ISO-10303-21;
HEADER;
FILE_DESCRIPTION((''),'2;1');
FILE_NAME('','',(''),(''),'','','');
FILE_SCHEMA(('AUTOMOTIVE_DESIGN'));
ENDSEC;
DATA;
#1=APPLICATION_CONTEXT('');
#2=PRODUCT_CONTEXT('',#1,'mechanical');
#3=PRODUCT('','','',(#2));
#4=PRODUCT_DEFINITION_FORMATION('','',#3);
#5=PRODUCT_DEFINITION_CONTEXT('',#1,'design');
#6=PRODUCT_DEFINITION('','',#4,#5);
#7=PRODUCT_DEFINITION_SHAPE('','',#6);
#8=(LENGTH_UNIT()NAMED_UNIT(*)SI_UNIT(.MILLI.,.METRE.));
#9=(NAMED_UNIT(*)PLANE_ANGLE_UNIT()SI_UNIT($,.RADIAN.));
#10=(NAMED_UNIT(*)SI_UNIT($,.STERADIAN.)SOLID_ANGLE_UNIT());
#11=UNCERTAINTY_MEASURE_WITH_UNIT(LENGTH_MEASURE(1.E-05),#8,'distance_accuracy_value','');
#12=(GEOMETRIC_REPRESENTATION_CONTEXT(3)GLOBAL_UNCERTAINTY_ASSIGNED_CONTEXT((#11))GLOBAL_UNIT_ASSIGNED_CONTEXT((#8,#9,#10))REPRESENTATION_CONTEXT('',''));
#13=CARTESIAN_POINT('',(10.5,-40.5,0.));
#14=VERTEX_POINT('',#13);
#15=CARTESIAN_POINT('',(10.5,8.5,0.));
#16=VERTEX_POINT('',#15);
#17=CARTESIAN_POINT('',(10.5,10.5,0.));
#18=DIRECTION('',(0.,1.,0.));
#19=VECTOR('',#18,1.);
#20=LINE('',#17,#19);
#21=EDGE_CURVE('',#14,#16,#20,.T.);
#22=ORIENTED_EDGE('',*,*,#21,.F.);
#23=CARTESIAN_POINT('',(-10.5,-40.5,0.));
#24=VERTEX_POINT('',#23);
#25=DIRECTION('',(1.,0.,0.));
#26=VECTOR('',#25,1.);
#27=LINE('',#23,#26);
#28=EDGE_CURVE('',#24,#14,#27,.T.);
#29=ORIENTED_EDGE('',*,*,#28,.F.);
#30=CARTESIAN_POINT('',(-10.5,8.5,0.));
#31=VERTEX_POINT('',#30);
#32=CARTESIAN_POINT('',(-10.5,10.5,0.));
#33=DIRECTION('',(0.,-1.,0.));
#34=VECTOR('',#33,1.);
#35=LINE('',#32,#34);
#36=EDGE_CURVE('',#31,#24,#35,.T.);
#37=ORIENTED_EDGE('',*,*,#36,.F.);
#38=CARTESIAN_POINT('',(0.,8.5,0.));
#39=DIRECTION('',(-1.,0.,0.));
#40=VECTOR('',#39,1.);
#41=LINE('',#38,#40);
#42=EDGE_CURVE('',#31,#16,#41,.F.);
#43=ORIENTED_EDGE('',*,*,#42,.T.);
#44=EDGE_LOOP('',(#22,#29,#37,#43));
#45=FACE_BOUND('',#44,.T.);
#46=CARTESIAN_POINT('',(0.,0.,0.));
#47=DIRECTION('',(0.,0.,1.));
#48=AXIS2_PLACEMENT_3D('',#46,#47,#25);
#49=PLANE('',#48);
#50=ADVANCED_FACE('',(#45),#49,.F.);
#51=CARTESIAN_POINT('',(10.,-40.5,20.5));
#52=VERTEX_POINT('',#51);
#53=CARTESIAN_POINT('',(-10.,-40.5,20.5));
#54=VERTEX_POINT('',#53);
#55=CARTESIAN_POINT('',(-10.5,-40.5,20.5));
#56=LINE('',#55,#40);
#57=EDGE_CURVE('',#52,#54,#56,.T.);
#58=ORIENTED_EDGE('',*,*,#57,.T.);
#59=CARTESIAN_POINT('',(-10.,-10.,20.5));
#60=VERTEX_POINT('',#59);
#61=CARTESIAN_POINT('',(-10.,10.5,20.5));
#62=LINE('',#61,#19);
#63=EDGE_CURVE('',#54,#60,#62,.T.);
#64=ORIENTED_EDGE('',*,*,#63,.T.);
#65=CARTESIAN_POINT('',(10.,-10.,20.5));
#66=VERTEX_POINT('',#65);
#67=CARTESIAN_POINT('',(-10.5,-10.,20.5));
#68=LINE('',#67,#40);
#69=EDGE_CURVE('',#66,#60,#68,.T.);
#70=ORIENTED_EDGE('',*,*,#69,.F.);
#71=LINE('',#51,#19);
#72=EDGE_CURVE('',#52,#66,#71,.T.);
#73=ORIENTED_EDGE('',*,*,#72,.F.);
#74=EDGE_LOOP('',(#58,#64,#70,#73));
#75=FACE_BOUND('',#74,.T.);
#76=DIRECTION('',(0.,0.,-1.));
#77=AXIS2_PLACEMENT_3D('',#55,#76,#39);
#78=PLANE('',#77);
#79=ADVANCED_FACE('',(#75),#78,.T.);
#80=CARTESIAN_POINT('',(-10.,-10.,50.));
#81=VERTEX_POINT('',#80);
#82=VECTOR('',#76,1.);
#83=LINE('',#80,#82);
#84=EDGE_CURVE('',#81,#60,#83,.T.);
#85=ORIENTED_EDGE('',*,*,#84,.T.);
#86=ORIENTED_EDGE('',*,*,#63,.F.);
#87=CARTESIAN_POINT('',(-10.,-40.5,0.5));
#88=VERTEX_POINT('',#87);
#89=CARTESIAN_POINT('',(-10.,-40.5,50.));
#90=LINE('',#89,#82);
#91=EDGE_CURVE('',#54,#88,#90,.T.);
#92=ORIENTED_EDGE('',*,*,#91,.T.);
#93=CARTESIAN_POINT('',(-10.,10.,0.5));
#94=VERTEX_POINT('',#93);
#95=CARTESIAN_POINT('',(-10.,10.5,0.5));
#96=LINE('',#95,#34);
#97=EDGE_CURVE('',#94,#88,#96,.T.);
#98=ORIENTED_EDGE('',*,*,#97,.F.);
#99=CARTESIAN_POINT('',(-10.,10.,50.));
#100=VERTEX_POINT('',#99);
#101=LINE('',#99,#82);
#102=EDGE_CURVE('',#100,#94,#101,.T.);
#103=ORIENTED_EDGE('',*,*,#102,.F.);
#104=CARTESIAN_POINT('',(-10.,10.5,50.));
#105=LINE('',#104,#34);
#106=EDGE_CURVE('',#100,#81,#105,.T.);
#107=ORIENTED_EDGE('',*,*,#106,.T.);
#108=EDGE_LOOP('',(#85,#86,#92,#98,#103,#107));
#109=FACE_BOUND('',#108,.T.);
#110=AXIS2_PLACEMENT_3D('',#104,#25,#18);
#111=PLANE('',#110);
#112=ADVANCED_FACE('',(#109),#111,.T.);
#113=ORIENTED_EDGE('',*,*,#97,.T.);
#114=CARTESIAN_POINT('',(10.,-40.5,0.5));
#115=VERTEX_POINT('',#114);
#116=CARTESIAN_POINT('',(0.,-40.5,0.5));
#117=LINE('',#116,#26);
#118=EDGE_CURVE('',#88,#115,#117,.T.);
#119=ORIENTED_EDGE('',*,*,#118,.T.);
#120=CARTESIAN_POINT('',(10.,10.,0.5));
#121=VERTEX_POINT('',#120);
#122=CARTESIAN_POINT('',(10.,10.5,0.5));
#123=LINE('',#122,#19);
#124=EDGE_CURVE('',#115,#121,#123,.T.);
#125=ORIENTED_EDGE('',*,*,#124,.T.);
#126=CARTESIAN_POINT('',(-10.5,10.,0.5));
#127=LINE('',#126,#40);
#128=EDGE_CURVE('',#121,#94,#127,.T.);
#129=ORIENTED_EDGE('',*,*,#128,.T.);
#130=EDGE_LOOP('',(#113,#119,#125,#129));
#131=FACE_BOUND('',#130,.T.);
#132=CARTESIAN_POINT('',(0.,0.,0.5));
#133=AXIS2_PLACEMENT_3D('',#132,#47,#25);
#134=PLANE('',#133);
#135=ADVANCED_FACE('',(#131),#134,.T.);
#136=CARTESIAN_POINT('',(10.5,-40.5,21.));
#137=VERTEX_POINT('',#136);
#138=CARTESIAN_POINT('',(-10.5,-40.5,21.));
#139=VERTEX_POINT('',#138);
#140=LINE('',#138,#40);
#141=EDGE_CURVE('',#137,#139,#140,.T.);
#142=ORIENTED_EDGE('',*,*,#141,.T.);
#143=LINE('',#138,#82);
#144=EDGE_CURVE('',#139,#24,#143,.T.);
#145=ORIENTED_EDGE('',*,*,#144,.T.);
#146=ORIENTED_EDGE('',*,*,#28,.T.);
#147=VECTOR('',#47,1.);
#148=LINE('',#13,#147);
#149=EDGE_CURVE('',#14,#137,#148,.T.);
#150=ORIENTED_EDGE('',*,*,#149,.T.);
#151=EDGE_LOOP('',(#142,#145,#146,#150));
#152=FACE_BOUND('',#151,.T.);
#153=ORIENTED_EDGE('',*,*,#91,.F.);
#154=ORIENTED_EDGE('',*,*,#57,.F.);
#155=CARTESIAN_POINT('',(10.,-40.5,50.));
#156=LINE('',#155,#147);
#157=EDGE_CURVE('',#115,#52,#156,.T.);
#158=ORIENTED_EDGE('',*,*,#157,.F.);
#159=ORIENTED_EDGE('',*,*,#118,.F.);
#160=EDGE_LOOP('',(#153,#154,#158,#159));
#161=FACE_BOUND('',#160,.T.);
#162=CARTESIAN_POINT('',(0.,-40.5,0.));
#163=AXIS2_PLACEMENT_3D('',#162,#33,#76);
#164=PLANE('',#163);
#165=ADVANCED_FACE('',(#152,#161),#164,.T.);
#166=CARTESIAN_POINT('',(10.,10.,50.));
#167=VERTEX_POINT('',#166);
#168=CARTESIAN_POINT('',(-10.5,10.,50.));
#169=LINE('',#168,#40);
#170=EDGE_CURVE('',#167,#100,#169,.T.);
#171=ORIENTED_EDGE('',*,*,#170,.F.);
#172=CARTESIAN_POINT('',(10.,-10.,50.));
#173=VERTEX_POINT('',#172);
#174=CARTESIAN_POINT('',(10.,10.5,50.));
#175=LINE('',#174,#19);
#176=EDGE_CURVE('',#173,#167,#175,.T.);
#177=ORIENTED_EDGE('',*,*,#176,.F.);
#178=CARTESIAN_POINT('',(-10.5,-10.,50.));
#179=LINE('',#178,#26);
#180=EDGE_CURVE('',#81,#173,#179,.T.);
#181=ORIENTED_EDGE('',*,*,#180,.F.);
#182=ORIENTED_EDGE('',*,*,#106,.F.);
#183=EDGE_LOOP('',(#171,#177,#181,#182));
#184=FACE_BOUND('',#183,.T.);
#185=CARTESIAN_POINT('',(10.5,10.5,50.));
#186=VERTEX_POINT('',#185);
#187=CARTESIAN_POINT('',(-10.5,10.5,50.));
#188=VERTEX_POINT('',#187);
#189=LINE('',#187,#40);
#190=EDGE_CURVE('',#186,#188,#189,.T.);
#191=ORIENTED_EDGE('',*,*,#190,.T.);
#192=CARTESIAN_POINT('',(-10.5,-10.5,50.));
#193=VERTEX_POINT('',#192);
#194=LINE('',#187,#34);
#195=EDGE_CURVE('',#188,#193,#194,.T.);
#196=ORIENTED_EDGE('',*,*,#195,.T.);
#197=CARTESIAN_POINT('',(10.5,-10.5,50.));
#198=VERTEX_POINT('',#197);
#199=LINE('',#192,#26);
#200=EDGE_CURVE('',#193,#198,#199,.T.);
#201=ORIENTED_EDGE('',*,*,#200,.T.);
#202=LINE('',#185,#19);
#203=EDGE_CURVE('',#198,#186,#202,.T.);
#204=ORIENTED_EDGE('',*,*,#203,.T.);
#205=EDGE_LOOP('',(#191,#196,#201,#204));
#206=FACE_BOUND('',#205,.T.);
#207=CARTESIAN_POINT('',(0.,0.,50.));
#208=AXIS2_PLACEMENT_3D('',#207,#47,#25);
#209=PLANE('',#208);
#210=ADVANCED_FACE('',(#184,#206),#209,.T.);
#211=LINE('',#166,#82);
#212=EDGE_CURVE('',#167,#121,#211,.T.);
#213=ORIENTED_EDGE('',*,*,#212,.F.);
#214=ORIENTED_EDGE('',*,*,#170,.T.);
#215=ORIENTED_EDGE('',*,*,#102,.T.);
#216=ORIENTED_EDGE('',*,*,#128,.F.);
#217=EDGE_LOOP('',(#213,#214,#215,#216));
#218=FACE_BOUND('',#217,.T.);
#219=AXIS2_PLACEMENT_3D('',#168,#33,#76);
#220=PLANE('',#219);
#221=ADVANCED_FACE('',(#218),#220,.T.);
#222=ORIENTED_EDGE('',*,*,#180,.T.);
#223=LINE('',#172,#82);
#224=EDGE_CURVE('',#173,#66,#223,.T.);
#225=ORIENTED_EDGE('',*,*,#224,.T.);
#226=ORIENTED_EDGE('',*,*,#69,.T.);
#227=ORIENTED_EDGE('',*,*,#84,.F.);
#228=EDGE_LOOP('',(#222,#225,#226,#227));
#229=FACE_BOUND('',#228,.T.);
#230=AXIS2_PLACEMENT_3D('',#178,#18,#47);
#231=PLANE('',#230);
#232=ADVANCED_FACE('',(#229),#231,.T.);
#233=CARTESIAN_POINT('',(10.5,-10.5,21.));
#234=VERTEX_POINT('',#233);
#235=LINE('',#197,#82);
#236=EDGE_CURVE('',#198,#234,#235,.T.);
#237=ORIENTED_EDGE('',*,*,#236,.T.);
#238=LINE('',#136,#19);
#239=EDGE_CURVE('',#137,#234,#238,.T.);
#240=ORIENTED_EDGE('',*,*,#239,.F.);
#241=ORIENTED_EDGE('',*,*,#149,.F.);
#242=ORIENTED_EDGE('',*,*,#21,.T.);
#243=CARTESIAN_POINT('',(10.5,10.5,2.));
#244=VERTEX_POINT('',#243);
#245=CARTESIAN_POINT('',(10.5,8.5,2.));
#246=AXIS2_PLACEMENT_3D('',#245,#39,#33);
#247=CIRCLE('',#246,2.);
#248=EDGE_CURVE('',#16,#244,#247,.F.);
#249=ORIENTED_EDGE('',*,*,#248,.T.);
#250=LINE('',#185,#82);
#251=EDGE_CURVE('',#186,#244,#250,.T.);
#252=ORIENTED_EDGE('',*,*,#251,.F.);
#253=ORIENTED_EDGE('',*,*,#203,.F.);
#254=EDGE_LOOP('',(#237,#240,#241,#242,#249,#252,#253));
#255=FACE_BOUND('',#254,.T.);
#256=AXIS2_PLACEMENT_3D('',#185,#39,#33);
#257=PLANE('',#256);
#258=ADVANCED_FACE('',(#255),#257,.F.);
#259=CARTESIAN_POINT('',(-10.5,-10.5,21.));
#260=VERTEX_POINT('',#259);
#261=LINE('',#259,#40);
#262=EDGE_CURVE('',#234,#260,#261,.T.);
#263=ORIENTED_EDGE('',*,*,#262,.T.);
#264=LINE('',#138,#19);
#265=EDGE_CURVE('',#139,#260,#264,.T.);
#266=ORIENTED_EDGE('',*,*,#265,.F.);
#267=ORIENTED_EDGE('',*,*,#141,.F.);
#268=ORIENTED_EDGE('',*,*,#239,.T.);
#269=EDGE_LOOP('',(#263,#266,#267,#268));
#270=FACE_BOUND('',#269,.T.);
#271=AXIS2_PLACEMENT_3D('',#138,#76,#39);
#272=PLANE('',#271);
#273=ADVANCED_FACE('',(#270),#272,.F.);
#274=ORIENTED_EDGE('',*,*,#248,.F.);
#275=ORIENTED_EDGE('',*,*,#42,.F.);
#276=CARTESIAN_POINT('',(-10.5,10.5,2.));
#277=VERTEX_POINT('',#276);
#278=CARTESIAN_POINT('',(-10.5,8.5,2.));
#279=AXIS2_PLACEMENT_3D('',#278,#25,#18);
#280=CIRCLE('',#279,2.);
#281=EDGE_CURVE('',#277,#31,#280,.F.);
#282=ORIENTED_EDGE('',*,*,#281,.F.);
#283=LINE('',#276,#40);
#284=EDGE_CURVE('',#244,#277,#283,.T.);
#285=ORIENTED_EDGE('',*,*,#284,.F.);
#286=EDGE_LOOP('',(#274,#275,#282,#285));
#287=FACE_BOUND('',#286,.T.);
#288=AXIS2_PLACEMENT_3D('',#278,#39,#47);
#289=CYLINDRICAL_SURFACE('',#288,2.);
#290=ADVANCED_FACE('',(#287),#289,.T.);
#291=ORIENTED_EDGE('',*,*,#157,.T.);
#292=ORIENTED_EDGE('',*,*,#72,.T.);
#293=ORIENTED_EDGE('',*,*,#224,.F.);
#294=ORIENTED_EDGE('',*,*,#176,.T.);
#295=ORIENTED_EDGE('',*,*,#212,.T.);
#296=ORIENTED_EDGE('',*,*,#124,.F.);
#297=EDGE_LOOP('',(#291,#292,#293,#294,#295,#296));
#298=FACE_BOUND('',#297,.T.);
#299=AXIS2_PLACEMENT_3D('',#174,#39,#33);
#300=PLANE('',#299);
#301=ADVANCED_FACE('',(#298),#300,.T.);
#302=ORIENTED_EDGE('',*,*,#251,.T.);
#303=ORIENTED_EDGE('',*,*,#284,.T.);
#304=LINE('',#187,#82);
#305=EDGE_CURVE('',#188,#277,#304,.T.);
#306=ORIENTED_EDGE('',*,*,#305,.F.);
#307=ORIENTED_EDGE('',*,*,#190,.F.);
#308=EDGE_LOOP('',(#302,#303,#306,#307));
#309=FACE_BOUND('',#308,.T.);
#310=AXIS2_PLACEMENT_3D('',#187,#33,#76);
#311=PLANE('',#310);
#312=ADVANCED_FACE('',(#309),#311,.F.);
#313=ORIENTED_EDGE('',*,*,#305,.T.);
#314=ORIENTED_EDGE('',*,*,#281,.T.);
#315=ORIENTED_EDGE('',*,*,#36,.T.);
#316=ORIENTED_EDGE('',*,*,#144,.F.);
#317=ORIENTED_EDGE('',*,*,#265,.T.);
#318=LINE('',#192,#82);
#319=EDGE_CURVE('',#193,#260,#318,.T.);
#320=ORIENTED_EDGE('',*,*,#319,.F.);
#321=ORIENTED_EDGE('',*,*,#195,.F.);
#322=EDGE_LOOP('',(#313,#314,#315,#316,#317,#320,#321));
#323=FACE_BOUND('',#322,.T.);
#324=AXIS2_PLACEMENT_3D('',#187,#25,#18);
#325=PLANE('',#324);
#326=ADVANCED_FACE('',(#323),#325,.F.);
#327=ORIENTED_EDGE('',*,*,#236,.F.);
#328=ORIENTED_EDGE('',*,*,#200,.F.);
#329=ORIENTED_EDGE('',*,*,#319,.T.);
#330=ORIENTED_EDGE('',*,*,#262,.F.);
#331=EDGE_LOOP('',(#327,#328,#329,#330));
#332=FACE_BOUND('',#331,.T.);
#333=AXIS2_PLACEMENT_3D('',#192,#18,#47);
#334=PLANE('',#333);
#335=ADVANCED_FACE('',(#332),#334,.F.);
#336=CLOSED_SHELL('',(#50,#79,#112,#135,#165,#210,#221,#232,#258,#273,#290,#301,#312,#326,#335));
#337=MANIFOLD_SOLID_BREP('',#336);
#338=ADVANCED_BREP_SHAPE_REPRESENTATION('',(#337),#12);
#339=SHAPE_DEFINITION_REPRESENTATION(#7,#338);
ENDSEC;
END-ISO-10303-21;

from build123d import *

# Parameters (mm, degrees)
ESQUISSE1_W        = 21
ESQUISSE1_H        = 21
BOSS_EXTRU_1_DEPTH = 50
ESQUISSE3_W        = 21
ESQUISSE3_H        = 21
BOSS_EXTRU_2_DEPTH = 30
COQUE1_T           = -0.5
CONG_1_R           = 2


with BuildPart() as part:
    # Esquisse1 → Boss.-Extru.1 (new body)
    with BuildSketch(Plane.XY):
        Rectangle(ESQUISSE1_W, ESQUISSE1_H)
    extrude(amount=BOSS_EXTRU_1_DEPTH)

    # Esquisse3 → Boss.-Extru.2 (add)
    with BuildSketch(Plane.XZ.offset(10.5)):
        with Locations((0, 10.5)):
            Rectangle(ESQUISSE3_W, ESQUISSE3_H)
    extrude(amount=BOSS_EXTRU_2_DEPTH)

    # Coque1
    coque1_openings = [part.faces().sort_by_distance(p)[0] for p in [
        (0, 0, 50),
        (0, -40.5, 10.5),
    ]]
    offset(amount=COQUE1_T, openings=coque1_openings, kind=Kind.INTERSECTION)

    # Congé1
    cong_1_edges = [part.edges().sort_by_distance(p)[0] for p in [
        (0, 10.5, 0),
    ]]
    fillet(cong_1_edges, radius=CONG_1_R)


solid = part.part
